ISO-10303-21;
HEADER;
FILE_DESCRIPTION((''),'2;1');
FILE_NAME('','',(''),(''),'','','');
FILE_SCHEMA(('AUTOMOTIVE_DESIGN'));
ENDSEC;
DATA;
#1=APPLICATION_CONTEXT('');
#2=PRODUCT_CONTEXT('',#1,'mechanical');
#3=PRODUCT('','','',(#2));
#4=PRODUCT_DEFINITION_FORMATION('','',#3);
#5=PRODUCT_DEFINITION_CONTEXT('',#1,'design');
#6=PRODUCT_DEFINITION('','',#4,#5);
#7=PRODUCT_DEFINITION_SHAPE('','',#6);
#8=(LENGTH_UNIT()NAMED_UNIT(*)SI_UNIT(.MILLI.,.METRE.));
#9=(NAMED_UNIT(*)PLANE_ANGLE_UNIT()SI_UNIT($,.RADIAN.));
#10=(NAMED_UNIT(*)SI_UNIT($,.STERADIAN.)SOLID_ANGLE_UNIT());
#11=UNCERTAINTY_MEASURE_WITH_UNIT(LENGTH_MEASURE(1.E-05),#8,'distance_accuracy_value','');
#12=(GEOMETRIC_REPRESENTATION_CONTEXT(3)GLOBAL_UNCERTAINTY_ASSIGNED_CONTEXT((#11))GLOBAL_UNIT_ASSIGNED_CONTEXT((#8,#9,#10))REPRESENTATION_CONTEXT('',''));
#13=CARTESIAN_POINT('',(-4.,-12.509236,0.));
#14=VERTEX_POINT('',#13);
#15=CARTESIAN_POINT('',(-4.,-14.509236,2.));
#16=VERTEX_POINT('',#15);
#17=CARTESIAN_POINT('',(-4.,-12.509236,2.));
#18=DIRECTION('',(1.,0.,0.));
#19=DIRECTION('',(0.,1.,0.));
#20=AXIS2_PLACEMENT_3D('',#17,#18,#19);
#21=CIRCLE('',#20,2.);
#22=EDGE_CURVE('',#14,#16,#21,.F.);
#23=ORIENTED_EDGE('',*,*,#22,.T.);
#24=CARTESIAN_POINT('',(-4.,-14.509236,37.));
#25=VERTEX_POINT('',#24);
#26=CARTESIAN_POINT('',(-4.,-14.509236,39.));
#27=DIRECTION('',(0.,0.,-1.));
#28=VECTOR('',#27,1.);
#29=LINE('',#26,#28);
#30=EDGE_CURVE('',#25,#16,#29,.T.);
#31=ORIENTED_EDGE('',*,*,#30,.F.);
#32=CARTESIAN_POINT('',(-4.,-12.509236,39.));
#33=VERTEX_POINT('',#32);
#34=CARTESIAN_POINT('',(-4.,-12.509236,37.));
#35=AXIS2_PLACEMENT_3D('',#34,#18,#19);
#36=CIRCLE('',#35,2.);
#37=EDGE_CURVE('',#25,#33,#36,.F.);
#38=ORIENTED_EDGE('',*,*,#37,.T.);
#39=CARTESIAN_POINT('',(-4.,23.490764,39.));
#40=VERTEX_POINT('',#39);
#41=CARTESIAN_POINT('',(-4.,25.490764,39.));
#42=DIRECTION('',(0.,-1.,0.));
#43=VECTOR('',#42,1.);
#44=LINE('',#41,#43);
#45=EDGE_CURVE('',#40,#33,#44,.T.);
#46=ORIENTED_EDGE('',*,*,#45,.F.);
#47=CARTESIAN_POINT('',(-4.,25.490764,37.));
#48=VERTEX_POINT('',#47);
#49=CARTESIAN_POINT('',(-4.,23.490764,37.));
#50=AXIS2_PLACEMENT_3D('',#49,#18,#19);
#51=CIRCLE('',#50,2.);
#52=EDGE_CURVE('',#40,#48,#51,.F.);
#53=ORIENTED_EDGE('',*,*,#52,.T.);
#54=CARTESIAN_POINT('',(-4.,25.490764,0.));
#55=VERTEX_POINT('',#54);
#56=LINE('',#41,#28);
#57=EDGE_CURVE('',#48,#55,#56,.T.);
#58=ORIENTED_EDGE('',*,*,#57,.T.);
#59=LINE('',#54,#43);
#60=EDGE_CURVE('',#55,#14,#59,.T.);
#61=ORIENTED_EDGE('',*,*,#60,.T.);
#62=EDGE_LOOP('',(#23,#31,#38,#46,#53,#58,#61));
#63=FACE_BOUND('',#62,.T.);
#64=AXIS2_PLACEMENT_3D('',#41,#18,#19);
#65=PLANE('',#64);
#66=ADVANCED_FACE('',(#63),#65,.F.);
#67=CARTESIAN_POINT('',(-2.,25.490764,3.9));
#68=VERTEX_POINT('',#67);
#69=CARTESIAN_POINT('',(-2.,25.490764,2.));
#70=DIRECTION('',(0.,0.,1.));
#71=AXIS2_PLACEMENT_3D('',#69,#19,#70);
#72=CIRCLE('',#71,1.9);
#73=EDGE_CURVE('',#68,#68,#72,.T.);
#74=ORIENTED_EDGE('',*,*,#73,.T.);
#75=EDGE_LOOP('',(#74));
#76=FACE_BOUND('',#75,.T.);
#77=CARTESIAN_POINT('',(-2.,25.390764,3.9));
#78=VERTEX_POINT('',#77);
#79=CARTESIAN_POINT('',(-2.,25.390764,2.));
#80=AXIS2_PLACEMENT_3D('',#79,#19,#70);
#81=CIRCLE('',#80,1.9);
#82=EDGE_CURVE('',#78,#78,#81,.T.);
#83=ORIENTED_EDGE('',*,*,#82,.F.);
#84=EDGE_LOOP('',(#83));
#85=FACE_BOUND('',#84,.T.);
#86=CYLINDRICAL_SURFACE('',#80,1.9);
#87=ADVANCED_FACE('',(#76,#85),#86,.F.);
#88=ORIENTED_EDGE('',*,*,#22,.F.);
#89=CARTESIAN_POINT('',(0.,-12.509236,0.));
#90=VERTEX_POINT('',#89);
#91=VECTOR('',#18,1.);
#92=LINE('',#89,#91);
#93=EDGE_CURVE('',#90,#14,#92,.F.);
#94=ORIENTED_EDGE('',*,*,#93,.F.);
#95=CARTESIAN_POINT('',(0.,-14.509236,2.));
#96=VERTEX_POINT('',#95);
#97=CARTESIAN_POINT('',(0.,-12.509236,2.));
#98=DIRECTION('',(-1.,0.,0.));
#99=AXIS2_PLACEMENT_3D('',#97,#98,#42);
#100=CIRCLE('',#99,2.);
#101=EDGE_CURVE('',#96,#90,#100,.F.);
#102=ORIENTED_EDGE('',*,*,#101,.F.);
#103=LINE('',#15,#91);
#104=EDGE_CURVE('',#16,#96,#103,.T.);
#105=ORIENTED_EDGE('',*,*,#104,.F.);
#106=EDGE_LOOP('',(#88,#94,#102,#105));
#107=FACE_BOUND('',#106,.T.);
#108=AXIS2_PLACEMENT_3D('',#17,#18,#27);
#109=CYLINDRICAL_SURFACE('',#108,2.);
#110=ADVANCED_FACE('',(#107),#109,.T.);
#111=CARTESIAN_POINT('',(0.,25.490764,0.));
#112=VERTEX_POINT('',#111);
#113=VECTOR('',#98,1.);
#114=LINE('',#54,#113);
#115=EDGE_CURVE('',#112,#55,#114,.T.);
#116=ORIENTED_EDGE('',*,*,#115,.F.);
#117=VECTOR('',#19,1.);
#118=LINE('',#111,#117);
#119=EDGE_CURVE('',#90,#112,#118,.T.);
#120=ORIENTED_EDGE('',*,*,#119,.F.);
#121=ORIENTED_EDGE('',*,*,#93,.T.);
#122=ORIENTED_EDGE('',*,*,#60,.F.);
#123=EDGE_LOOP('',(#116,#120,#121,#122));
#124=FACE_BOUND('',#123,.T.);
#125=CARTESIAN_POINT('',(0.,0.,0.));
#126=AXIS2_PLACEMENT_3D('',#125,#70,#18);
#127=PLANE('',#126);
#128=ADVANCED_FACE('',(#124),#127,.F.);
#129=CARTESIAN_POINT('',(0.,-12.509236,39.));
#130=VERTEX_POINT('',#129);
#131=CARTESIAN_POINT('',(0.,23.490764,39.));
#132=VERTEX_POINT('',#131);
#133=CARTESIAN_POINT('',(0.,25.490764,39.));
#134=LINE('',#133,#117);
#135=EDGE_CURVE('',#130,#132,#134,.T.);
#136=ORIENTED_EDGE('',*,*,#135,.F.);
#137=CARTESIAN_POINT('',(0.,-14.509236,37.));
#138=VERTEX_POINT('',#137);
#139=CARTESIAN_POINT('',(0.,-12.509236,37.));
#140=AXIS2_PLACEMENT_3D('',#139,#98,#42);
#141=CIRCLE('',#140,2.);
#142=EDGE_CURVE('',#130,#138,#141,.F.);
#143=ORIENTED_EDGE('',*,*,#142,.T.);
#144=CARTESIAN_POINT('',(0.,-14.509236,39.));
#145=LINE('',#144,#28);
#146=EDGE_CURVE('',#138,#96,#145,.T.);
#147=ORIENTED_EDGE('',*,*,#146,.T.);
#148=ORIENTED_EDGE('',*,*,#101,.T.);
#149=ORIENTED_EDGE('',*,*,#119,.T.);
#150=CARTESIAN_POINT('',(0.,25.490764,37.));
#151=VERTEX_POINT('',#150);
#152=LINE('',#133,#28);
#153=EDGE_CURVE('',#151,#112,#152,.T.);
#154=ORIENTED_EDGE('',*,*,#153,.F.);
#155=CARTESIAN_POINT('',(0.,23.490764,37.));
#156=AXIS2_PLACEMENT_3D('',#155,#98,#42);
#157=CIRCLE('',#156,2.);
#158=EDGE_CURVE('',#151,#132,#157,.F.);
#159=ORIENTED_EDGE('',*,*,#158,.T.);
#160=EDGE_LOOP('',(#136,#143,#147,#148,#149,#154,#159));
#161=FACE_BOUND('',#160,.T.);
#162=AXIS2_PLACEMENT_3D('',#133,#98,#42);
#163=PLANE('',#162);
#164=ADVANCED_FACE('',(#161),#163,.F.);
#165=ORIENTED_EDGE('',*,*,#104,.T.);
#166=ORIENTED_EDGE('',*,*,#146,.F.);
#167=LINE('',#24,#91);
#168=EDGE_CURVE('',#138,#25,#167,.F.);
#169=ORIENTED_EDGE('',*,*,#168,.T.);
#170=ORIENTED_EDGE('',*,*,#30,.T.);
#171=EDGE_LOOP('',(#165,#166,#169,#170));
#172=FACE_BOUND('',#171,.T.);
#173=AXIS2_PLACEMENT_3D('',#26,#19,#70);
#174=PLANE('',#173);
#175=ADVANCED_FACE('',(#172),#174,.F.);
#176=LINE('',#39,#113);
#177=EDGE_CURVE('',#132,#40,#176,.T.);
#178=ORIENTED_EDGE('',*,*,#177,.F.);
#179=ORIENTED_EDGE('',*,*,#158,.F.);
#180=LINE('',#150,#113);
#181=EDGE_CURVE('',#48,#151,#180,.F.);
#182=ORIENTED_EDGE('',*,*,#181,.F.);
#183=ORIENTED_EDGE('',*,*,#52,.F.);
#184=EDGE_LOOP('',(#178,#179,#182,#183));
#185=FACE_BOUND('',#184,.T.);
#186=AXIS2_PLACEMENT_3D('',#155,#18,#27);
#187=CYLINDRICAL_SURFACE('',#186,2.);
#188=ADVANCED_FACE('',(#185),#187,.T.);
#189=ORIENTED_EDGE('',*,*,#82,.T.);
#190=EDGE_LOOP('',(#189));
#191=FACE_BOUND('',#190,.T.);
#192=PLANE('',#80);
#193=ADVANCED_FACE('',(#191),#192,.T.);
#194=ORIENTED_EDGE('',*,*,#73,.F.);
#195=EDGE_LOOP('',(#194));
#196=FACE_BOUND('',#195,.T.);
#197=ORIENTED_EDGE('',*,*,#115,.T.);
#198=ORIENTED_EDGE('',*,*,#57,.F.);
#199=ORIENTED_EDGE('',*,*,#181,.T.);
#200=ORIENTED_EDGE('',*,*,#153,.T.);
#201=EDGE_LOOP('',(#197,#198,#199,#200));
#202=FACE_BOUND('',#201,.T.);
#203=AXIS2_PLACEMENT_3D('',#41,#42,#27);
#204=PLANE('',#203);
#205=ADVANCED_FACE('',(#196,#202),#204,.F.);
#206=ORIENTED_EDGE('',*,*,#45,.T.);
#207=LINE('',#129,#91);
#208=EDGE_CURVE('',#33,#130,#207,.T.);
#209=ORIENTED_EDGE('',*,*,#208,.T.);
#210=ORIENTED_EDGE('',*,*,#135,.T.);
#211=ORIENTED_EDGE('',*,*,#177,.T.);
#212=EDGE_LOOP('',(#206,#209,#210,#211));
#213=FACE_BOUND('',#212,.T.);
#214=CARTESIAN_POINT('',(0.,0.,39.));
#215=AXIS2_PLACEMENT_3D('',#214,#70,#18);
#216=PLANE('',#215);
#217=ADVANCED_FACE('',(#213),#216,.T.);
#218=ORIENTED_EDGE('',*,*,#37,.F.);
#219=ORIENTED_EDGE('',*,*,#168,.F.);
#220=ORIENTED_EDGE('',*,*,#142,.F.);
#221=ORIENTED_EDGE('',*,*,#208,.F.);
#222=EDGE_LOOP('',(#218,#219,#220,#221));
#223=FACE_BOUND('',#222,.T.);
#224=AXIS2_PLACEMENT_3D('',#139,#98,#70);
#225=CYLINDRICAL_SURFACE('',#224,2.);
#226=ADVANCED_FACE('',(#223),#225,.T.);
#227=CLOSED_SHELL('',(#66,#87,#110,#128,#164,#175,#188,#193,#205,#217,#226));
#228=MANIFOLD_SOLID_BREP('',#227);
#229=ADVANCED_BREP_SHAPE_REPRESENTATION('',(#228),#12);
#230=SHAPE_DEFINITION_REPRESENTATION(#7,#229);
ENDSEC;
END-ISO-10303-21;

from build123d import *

# Parameters (mm, degrees)
SKETCH1_W           = 4
SKETCH1_H           = 40
BOSS_EXTRUDE1_DEPTH = 39
FILLET6_R           = 2
FILLET7_R           = 2
SKETCH7_R           = 1.9
CUT_EXTRUDE4_DEPTH  = 0.1


with BuildPart() as part:
    # Sketch1 → Boss-Extrude1 (new body)
    with BuildSketch(Plane.XY):
        with Locations((-2, 5.490763705)):
            Rectangle(SKETCH1_W, SKETCH1_H)
    extrude(amount=BOSS_EXTRUDE1_DEPTH)

    # Fillet6
    fillet6_edges = [part.edges().sort_by_distance(p)[0] for p in [
        (-2, 25.490763705, 39),
    ]]
    fillet(fillet6_edges, radius=FILLET6_R)

    # Fillet7
    fillet7_edges = [part.edges().sort_by_distance(p)[0] for p in [
        (-2, -14.509236295, 0),
        (-2, -14.509236295, 39),
    ]]
    fillet(fillet7_edges, radius=FILLET7_R)

    # Sketch7 → Cut-Extrude4 (cut)
    with BuildSketch(Plane(origin=(0, 25.490763705, 0), x_dir=(1, 0, 0), z_dir=(0, 1, 0))):
        with Locations(Location((-2, -2, 0), (0, 0, 270))):
            Circle(SKETCH7_R)
    extrude(amount=-CUT_EXTRUDE4_DEPTH, mode=Mode.SUBTRACT)


solid = part.part
